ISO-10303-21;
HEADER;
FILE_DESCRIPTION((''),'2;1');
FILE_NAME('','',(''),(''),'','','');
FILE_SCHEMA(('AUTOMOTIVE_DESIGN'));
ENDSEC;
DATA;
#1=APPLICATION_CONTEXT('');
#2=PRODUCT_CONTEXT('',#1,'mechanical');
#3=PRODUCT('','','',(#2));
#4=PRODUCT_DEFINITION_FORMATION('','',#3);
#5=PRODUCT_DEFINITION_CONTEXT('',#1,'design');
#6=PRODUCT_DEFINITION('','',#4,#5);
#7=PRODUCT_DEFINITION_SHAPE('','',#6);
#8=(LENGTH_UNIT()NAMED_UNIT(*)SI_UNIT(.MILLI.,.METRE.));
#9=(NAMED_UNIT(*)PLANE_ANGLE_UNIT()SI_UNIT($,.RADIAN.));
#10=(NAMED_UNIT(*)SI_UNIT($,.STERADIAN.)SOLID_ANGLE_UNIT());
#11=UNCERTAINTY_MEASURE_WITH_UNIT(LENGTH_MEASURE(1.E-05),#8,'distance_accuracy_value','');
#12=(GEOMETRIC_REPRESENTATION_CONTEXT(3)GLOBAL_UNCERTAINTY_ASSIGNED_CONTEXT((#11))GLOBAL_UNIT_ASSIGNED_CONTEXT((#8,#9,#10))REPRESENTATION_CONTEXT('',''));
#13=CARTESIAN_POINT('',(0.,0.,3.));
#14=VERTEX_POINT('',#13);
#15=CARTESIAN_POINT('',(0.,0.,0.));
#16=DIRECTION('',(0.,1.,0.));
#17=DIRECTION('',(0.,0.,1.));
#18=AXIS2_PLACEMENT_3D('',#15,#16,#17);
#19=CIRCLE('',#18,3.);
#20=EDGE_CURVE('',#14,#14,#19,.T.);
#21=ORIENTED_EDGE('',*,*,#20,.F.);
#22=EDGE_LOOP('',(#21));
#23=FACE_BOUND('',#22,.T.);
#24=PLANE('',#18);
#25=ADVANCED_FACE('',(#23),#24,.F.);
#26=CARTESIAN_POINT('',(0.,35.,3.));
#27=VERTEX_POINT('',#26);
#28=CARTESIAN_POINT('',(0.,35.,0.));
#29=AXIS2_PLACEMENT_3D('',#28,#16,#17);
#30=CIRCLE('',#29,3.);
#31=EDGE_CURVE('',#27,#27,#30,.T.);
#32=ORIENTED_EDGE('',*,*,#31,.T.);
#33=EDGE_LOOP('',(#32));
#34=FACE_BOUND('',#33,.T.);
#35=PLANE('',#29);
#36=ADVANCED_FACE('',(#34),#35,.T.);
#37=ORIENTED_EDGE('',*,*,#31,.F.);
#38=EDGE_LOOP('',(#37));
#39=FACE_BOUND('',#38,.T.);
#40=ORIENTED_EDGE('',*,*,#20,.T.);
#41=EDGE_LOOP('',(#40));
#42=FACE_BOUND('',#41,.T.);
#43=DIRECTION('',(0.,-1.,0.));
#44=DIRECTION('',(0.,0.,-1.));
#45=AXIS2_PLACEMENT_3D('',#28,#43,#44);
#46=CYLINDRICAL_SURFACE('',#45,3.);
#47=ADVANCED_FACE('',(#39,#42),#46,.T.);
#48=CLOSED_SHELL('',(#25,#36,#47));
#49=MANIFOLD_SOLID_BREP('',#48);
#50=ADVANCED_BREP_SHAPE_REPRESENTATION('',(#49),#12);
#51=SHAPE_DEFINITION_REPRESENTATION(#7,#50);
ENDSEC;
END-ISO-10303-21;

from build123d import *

# Parameters (mm, degrees)
SKETCH1_R           = 3
BOSS_EXTRUDE1_DEPTH = 35


with BuildPart() as part:
    # Sketch1 → Boss-Extrude1 (new body)
    with BuildSketch(Plane(origin=(0, 0, 0), x_dir=(1, 0, 0), z_dir=(0, 1, 0))):
        with Locations(Location((0, 0, 0), (0, 0, 270))):  # turned: the seam where the file's is
            Circle(SKETCH1_R)
    extrude(amount=BOSS_EXTRUDE1_DEPTH)


solid = part.part
